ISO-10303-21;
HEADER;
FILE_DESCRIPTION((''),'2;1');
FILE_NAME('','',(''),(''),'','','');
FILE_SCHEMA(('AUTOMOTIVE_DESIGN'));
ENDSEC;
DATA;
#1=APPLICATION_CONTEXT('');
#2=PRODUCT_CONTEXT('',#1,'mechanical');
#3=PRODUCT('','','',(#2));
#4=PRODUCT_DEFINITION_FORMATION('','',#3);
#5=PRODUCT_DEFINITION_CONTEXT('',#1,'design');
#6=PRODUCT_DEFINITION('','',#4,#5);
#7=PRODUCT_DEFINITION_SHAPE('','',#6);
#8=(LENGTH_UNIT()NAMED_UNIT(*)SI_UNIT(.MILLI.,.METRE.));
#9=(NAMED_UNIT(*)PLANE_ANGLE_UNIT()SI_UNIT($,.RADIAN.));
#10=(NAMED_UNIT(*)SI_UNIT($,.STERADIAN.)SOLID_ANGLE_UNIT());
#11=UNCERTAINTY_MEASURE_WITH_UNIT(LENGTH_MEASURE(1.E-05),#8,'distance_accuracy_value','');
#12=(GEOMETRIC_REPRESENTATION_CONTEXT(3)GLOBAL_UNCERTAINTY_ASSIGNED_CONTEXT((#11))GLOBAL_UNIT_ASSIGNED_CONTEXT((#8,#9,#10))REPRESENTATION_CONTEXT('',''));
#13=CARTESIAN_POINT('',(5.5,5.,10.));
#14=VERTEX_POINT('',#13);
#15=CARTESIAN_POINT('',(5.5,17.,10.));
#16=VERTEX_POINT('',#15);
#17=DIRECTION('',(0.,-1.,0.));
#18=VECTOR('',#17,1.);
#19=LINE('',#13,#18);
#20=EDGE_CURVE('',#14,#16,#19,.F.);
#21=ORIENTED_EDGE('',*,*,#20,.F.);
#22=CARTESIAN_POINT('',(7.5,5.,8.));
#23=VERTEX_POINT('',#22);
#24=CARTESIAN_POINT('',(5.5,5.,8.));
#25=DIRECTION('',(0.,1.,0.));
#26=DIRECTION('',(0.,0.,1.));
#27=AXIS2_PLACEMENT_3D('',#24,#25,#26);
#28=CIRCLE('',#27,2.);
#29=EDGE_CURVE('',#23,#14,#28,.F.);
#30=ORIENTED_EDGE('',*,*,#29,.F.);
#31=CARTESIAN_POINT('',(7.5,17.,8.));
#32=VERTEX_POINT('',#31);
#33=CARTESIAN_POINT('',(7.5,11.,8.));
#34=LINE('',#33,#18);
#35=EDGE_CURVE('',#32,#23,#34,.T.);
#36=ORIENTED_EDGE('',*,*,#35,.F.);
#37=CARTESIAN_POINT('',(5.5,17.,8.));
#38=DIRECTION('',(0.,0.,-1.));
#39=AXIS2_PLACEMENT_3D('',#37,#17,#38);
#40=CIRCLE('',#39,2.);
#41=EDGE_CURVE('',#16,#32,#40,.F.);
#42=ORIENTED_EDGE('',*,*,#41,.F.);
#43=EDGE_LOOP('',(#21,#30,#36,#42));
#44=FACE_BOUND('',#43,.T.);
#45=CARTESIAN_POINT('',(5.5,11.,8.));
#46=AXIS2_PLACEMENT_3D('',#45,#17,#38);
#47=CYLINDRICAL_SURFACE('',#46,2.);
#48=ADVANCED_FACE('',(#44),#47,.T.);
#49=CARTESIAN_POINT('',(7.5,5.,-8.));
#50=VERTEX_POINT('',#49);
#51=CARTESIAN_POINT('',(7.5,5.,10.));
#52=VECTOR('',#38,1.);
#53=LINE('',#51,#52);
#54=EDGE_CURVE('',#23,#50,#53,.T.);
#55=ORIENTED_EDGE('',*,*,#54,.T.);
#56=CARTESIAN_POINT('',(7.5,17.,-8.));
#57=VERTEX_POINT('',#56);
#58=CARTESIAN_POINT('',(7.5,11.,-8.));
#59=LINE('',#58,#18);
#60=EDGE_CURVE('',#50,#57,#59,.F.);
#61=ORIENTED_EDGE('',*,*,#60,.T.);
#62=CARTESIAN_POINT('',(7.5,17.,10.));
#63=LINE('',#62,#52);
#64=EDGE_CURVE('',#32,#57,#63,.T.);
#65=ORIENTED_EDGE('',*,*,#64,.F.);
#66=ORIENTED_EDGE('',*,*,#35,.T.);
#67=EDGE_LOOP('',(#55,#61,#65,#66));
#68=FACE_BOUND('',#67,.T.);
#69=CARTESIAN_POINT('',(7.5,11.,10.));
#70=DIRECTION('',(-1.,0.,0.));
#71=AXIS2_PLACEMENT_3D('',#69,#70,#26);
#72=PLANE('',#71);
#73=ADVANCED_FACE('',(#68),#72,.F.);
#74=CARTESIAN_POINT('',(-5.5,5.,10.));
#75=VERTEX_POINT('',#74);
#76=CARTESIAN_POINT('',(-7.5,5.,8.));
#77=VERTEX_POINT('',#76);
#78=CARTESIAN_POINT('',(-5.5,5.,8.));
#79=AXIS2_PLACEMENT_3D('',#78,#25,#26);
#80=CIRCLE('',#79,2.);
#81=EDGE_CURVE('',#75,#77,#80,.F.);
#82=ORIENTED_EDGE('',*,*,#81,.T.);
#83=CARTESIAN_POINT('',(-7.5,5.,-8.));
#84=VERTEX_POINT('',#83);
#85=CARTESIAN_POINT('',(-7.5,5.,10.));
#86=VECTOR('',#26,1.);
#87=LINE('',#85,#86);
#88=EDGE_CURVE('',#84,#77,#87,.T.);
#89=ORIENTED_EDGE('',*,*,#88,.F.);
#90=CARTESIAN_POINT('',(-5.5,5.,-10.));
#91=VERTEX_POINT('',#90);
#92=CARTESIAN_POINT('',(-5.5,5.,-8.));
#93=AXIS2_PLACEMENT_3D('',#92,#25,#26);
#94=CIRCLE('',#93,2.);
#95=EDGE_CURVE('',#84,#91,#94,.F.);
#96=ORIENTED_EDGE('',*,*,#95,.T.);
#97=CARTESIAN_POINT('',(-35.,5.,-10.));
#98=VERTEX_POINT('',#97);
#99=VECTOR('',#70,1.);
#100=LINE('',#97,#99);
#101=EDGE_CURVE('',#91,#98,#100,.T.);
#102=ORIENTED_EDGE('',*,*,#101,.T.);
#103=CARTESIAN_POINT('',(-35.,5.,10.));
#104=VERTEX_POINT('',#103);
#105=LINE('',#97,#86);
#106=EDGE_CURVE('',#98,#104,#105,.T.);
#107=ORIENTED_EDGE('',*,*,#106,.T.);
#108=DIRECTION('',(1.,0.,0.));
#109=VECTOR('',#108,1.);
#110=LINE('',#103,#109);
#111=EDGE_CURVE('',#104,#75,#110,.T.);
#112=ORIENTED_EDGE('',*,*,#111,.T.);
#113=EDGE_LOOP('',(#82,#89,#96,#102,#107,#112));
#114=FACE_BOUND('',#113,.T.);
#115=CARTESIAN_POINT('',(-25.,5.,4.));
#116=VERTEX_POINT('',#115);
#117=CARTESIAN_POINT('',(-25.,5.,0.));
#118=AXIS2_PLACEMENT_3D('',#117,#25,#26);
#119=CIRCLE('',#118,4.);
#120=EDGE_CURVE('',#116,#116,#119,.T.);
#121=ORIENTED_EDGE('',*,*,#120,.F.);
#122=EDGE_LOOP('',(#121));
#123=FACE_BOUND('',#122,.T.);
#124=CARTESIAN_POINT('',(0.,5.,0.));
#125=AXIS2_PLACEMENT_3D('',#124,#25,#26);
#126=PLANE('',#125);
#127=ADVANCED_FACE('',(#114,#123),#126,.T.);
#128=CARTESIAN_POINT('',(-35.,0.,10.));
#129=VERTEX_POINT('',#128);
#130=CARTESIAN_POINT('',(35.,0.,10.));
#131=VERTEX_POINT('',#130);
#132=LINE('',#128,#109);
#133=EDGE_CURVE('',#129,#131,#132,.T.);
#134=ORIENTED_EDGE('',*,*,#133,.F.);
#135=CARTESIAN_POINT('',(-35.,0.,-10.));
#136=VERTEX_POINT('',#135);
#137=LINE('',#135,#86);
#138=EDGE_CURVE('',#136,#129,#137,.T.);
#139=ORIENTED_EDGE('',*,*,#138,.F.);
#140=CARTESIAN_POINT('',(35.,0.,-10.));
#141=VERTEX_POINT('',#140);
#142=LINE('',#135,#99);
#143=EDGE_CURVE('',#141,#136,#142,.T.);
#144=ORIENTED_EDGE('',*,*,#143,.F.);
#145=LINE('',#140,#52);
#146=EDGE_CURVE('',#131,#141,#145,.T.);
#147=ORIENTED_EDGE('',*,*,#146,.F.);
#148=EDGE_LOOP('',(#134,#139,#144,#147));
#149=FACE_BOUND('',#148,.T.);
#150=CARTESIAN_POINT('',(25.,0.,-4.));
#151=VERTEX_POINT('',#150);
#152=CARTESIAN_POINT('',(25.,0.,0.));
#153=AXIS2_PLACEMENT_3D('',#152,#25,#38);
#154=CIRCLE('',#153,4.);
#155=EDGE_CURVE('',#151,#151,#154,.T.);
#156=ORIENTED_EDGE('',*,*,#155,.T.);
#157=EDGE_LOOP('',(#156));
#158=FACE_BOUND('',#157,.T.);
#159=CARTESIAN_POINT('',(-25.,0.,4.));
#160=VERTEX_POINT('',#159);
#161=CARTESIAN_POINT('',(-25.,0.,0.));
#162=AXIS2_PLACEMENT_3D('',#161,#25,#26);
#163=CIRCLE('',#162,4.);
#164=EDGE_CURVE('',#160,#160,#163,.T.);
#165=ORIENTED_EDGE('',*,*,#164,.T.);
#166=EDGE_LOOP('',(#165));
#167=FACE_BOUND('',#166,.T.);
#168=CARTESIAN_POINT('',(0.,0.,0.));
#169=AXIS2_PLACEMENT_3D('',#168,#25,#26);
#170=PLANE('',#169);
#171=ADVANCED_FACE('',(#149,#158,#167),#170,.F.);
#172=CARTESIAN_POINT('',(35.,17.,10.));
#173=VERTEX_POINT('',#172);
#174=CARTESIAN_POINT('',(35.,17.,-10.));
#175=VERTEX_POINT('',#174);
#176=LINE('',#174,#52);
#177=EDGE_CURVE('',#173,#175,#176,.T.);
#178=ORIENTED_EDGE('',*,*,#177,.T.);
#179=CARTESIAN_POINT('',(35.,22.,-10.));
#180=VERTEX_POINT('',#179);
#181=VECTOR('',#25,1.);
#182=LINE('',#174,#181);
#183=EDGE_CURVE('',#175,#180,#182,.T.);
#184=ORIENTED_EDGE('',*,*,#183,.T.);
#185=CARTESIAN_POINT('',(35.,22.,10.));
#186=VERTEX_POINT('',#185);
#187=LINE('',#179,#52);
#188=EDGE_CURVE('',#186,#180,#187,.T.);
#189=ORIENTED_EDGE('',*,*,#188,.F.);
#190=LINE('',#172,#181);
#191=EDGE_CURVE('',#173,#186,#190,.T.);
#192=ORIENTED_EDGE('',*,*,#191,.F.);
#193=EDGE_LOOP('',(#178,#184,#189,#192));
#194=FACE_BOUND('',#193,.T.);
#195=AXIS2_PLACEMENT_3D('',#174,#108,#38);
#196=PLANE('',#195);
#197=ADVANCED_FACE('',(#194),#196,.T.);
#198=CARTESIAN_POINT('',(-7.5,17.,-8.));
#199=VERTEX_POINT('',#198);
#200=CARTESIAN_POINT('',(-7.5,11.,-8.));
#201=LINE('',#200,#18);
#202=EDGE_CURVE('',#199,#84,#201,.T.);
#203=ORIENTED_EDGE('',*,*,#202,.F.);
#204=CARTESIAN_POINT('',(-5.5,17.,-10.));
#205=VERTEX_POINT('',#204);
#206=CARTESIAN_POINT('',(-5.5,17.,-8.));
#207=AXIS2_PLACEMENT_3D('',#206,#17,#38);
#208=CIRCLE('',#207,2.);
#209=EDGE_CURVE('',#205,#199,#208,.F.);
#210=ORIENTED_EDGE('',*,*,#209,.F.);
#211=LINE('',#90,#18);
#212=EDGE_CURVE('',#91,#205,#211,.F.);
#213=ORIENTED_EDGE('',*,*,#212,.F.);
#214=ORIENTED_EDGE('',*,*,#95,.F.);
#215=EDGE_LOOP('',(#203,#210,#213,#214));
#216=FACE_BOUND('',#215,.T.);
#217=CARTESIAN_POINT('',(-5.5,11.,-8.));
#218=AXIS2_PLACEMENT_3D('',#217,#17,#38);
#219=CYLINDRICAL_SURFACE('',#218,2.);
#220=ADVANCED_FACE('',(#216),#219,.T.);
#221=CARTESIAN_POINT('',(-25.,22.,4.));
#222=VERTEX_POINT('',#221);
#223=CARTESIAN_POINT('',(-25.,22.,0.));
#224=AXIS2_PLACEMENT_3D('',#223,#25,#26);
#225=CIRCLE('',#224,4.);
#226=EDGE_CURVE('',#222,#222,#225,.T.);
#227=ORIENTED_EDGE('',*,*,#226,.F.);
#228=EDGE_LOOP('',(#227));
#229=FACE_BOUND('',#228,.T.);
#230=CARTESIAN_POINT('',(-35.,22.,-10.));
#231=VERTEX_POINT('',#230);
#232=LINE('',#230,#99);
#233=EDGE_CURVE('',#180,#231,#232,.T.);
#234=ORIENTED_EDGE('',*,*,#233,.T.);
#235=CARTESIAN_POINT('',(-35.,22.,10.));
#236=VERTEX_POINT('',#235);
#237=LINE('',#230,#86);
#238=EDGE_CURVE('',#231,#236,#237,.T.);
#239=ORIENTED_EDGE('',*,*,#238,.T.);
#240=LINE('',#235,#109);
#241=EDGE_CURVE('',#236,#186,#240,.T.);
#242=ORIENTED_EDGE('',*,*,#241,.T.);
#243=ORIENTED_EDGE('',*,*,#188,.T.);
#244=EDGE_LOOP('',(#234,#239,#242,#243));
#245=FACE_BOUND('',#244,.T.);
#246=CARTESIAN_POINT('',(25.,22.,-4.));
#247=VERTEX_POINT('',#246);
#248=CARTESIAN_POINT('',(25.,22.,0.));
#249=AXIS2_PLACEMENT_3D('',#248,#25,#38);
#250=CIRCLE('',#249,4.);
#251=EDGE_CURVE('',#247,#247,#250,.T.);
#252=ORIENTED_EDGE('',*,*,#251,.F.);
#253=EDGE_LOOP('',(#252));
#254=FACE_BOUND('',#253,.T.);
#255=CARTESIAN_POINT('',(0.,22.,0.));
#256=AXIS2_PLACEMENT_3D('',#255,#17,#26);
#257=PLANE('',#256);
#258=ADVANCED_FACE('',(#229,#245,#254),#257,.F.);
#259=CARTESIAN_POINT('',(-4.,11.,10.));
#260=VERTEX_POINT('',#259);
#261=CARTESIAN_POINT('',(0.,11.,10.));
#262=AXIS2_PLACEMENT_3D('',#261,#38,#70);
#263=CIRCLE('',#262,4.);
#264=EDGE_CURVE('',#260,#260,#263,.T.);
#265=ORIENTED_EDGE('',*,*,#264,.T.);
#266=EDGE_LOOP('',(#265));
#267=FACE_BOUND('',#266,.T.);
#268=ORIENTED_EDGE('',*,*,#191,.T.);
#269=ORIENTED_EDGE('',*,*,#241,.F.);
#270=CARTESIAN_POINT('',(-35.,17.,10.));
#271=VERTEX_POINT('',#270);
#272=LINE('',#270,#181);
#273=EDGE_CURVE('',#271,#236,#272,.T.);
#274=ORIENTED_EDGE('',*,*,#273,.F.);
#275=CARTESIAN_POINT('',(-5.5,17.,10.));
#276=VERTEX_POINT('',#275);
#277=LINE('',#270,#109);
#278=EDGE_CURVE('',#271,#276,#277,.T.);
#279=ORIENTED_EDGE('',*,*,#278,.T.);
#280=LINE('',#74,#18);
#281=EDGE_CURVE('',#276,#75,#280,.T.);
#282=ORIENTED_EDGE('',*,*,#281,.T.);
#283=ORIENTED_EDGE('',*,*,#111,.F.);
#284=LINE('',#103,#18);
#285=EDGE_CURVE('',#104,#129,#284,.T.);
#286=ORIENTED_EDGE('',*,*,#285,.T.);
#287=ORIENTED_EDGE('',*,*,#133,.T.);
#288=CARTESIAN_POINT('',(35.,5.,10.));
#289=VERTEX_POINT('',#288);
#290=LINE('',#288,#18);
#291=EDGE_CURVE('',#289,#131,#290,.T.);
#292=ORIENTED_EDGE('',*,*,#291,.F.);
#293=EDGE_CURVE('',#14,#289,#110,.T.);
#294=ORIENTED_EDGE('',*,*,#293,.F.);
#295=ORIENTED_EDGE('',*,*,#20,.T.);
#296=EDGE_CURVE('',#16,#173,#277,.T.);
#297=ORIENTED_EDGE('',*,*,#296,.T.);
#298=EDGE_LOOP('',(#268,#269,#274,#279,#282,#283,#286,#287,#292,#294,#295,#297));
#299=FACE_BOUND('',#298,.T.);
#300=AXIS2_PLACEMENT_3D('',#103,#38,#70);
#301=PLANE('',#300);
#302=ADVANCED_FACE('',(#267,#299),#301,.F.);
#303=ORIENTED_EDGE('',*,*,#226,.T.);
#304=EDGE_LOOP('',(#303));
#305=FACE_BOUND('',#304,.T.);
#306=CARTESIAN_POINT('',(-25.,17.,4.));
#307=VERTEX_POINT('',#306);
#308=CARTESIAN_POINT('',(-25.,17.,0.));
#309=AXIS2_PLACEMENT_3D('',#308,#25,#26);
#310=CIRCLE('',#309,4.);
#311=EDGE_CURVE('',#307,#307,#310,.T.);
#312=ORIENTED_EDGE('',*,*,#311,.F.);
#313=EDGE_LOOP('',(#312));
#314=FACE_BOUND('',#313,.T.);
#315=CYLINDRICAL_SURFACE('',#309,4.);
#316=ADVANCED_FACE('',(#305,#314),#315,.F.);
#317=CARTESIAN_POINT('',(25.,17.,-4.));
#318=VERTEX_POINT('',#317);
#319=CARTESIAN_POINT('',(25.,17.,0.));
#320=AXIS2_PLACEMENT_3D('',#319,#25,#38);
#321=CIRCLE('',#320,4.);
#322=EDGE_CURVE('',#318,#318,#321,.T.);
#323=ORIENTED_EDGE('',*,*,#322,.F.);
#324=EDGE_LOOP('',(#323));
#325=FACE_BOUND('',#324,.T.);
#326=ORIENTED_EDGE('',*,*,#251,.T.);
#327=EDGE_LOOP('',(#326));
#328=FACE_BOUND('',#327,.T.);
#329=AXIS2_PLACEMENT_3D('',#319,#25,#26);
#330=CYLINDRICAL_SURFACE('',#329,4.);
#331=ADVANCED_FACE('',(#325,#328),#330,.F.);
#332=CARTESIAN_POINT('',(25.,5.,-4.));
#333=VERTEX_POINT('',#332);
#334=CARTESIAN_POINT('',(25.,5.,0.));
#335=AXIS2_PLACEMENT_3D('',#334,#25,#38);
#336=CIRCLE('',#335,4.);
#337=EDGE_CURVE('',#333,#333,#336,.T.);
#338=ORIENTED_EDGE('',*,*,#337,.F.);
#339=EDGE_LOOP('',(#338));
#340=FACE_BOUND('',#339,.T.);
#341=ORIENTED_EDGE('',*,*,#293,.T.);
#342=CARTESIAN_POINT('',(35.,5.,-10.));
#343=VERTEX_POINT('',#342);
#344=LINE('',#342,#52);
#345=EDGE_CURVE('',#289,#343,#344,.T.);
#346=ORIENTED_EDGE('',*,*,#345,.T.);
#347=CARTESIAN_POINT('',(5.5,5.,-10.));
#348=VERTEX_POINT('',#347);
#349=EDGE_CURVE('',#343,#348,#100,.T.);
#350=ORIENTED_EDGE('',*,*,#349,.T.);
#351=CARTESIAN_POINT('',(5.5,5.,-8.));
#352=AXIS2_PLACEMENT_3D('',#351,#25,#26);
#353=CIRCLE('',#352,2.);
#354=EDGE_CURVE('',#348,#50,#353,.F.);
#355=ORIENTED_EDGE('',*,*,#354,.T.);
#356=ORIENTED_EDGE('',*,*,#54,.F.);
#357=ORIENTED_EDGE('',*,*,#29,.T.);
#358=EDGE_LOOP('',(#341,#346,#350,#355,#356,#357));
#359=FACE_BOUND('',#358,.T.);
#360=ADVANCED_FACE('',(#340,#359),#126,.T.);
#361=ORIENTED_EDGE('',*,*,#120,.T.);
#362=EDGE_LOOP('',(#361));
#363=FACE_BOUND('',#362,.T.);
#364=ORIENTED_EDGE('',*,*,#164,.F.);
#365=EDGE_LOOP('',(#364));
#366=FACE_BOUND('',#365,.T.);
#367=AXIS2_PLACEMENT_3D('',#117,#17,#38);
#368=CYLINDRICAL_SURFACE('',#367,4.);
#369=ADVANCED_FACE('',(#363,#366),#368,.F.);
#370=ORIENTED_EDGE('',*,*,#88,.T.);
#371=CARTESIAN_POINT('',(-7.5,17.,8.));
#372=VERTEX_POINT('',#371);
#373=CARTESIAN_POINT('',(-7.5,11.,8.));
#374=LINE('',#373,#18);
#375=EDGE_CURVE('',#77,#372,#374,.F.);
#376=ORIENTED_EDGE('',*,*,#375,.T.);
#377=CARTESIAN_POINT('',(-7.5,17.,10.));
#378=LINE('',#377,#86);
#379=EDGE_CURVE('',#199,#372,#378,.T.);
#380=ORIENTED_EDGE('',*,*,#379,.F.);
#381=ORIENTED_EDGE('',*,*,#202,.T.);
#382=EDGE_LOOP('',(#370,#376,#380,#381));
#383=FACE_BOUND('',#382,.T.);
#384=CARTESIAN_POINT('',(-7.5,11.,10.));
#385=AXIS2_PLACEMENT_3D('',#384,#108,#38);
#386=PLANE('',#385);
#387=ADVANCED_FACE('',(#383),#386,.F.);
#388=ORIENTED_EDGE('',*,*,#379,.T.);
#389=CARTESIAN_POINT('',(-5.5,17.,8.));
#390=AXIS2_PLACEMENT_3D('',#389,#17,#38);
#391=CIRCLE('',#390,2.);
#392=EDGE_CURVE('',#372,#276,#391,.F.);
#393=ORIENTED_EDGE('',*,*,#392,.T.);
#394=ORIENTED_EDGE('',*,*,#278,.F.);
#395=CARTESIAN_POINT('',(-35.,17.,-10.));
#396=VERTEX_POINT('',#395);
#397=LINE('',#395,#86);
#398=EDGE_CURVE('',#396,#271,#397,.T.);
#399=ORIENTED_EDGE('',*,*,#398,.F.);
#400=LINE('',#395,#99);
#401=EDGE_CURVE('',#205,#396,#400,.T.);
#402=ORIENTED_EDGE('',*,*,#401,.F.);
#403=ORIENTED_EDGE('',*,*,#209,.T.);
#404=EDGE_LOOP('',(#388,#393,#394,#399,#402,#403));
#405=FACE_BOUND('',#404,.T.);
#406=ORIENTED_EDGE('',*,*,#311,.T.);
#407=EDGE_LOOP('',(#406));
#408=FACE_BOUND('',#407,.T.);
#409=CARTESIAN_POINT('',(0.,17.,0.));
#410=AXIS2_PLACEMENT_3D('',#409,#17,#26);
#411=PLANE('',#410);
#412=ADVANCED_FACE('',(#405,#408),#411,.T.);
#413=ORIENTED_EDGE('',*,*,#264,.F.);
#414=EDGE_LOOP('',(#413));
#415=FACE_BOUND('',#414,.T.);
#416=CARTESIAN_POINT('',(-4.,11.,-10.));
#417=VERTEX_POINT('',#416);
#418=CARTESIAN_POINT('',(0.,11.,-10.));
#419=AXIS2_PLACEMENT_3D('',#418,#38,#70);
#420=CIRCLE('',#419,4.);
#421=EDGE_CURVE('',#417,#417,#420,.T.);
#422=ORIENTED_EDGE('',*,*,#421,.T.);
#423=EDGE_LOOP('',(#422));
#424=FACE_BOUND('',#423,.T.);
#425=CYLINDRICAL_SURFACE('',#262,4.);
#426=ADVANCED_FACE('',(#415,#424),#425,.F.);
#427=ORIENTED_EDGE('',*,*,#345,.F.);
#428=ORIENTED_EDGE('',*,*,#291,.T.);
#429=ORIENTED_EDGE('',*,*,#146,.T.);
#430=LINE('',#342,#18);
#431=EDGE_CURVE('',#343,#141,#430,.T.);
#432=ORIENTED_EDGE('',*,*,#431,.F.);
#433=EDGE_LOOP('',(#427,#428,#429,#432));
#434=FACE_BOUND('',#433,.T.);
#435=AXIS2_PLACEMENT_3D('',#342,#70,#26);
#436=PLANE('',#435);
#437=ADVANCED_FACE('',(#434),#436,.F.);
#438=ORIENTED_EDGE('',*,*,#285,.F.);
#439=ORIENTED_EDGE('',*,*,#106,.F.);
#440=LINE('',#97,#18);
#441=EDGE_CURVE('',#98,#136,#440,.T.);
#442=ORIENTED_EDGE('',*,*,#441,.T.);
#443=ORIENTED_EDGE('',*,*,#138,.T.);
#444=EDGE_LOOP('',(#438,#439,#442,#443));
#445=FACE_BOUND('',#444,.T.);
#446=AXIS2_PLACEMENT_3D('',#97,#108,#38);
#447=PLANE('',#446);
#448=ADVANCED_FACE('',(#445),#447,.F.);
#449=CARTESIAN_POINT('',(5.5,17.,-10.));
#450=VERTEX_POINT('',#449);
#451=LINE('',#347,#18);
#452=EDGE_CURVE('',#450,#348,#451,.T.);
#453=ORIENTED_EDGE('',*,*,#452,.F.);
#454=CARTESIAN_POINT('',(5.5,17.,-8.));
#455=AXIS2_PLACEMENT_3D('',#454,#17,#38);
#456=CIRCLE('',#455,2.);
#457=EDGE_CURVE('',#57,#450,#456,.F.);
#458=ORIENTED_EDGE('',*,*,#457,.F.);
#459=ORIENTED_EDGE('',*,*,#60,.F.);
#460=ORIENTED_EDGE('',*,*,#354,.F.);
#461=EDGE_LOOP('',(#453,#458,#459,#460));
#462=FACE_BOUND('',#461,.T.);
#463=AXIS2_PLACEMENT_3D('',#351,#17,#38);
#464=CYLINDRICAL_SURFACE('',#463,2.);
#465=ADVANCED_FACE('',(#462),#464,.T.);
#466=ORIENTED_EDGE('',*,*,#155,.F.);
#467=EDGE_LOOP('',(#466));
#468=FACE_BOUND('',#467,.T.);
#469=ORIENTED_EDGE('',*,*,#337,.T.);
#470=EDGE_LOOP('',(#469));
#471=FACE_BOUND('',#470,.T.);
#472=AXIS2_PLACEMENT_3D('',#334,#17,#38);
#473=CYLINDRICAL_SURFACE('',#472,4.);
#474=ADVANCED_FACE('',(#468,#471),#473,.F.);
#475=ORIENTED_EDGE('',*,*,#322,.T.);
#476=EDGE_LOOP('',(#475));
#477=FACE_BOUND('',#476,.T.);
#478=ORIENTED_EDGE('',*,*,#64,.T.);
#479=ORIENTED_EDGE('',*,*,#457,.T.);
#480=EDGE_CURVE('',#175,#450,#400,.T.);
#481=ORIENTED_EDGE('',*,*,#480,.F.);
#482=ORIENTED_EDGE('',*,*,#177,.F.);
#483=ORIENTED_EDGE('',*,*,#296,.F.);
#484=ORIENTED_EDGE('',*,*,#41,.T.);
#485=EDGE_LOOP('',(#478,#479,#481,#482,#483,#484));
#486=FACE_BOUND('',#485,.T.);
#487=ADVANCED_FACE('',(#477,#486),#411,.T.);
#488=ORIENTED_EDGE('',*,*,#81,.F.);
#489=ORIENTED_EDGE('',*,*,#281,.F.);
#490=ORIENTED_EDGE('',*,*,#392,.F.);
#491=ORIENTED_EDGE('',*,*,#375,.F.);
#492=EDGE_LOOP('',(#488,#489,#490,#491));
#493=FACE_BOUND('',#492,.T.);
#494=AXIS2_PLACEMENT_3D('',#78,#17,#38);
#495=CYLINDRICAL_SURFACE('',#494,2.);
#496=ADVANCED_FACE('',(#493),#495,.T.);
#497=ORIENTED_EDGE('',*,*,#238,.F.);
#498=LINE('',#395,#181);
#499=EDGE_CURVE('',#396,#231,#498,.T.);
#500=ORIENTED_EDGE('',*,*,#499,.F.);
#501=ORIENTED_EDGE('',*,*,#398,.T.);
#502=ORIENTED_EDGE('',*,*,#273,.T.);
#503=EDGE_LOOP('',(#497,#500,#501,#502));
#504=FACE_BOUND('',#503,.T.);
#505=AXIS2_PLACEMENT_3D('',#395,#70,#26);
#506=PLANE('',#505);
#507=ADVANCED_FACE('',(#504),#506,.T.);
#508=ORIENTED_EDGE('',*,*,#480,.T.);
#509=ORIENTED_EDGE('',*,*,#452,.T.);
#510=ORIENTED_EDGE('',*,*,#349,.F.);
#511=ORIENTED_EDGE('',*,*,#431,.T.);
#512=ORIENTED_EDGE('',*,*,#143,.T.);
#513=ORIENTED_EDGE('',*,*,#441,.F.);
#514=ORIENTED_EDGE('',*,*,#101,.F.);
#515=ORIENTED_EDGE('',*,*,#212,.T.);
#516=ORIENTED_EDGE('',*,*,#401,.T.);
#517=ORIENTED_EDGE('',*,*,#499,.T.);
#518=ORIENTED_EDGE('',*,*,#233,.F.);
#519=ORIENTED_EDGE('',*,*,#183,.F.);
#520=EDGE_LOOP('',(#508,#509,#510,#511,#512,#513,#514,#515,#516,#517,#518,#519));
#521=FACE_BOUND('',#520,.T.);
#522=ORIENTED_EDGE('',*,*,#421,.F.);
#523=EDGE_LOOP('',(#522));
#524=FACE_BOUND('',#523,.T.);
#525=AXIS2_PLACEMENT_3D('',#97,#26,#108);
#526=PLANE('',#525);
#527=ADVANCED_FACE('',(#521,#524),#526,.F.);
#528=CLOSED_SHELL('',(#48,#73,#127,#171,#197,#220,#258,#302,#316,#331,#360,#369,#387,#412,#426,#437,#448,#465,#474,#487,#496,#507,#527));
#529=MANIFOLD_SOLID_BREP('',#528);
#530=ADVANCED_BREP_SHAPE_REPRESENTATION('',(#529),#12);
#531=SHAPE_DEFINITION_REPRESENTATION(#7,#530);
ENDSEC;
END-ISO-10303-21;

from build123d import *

# Parameters (mm, degrees)
SKETCH1_W           = 70
SKETCH1_H           = 20
SKETCH1_R           = 4
BOSS_EXTRUDE1_DEPTH = 5
SKETCH2_W           = 15
SKETCH2_H           = 20
BOSS_EXTRUDE2_DEPTH = 6
SKETCH3_R           = 4
CUT_EXTRUDE1_DEPTH  = 46.923850013
FILLET1_R           = 2


with BuildPart() as part:
    # Sketch1 → Boss-Extrude1 (new body)
    with BuildSketch(Plane(origin=(0, 0, 0), x_dir=(1, 0, 0), z_dir=(0, 1, 0))):
        Rectangle(SKETCH1_W, SKETCH1_H)
        with Locations(Location((-25, 0, 0), (0, 0, 270))):
            Circle(SKETCH1_R, mode=Mode.SUBTRACT)
        with Locations(Location((25, 0, 0), (0, 0, 90))):
            Circle(SKETCH1_R, mode=Mode.SUBTRACT)
    boss_extrude1 = extrude(amount=BOSS_EXTRUDE1_DEPTH)

    # Sketch2 → Boss-Extrude2 (add)
    with BuildSketch(Plane(origin=(0, 5, 0), x_dir=(1, 0, 0), z_dir=(0, 1, 0))):
        Rectangle(SKETCH2_W, SKETCH2_H)
    boss_extrude2 = extrude(amount=BOSS_EXTRUDE2_DEPTH)

    # Mirror3: Boss-Extrude2 across plane
    add(boss_extrude2.mirror(Plane.ZX.offset(11)))

    # Mirror4: Boss-Extrude1 across plane
    add(boss_extrude1.mirror(Plane.ZX.offset(11)))

    # Sketch3 → Cut-Extrude1 (cut, through all)
    with BuildSketch(Plane(origin=(0, 0, -10), x_dir=(-1, 0, 0), z_dir=(0, 0, -1))):
        with Locations((0, 11)):
            Circle(SKETCH3_R)
    extrude(amount=-CUT_EXTRUDE1_DEPTH, mode=Mode.SUBTRACT)

    # Fillet1
    fillet1_edges = [part.edges().sort_by_distance(p)[0] for p in [
        (7.5, 11, 10),
        (7.5, 11, -10),
        (-7.5, 11, -10),
        (-7.5, 11, 10),
    ]]
    fillet(fillet1_edges, radius=FILLET1_R)


solid = part.part
